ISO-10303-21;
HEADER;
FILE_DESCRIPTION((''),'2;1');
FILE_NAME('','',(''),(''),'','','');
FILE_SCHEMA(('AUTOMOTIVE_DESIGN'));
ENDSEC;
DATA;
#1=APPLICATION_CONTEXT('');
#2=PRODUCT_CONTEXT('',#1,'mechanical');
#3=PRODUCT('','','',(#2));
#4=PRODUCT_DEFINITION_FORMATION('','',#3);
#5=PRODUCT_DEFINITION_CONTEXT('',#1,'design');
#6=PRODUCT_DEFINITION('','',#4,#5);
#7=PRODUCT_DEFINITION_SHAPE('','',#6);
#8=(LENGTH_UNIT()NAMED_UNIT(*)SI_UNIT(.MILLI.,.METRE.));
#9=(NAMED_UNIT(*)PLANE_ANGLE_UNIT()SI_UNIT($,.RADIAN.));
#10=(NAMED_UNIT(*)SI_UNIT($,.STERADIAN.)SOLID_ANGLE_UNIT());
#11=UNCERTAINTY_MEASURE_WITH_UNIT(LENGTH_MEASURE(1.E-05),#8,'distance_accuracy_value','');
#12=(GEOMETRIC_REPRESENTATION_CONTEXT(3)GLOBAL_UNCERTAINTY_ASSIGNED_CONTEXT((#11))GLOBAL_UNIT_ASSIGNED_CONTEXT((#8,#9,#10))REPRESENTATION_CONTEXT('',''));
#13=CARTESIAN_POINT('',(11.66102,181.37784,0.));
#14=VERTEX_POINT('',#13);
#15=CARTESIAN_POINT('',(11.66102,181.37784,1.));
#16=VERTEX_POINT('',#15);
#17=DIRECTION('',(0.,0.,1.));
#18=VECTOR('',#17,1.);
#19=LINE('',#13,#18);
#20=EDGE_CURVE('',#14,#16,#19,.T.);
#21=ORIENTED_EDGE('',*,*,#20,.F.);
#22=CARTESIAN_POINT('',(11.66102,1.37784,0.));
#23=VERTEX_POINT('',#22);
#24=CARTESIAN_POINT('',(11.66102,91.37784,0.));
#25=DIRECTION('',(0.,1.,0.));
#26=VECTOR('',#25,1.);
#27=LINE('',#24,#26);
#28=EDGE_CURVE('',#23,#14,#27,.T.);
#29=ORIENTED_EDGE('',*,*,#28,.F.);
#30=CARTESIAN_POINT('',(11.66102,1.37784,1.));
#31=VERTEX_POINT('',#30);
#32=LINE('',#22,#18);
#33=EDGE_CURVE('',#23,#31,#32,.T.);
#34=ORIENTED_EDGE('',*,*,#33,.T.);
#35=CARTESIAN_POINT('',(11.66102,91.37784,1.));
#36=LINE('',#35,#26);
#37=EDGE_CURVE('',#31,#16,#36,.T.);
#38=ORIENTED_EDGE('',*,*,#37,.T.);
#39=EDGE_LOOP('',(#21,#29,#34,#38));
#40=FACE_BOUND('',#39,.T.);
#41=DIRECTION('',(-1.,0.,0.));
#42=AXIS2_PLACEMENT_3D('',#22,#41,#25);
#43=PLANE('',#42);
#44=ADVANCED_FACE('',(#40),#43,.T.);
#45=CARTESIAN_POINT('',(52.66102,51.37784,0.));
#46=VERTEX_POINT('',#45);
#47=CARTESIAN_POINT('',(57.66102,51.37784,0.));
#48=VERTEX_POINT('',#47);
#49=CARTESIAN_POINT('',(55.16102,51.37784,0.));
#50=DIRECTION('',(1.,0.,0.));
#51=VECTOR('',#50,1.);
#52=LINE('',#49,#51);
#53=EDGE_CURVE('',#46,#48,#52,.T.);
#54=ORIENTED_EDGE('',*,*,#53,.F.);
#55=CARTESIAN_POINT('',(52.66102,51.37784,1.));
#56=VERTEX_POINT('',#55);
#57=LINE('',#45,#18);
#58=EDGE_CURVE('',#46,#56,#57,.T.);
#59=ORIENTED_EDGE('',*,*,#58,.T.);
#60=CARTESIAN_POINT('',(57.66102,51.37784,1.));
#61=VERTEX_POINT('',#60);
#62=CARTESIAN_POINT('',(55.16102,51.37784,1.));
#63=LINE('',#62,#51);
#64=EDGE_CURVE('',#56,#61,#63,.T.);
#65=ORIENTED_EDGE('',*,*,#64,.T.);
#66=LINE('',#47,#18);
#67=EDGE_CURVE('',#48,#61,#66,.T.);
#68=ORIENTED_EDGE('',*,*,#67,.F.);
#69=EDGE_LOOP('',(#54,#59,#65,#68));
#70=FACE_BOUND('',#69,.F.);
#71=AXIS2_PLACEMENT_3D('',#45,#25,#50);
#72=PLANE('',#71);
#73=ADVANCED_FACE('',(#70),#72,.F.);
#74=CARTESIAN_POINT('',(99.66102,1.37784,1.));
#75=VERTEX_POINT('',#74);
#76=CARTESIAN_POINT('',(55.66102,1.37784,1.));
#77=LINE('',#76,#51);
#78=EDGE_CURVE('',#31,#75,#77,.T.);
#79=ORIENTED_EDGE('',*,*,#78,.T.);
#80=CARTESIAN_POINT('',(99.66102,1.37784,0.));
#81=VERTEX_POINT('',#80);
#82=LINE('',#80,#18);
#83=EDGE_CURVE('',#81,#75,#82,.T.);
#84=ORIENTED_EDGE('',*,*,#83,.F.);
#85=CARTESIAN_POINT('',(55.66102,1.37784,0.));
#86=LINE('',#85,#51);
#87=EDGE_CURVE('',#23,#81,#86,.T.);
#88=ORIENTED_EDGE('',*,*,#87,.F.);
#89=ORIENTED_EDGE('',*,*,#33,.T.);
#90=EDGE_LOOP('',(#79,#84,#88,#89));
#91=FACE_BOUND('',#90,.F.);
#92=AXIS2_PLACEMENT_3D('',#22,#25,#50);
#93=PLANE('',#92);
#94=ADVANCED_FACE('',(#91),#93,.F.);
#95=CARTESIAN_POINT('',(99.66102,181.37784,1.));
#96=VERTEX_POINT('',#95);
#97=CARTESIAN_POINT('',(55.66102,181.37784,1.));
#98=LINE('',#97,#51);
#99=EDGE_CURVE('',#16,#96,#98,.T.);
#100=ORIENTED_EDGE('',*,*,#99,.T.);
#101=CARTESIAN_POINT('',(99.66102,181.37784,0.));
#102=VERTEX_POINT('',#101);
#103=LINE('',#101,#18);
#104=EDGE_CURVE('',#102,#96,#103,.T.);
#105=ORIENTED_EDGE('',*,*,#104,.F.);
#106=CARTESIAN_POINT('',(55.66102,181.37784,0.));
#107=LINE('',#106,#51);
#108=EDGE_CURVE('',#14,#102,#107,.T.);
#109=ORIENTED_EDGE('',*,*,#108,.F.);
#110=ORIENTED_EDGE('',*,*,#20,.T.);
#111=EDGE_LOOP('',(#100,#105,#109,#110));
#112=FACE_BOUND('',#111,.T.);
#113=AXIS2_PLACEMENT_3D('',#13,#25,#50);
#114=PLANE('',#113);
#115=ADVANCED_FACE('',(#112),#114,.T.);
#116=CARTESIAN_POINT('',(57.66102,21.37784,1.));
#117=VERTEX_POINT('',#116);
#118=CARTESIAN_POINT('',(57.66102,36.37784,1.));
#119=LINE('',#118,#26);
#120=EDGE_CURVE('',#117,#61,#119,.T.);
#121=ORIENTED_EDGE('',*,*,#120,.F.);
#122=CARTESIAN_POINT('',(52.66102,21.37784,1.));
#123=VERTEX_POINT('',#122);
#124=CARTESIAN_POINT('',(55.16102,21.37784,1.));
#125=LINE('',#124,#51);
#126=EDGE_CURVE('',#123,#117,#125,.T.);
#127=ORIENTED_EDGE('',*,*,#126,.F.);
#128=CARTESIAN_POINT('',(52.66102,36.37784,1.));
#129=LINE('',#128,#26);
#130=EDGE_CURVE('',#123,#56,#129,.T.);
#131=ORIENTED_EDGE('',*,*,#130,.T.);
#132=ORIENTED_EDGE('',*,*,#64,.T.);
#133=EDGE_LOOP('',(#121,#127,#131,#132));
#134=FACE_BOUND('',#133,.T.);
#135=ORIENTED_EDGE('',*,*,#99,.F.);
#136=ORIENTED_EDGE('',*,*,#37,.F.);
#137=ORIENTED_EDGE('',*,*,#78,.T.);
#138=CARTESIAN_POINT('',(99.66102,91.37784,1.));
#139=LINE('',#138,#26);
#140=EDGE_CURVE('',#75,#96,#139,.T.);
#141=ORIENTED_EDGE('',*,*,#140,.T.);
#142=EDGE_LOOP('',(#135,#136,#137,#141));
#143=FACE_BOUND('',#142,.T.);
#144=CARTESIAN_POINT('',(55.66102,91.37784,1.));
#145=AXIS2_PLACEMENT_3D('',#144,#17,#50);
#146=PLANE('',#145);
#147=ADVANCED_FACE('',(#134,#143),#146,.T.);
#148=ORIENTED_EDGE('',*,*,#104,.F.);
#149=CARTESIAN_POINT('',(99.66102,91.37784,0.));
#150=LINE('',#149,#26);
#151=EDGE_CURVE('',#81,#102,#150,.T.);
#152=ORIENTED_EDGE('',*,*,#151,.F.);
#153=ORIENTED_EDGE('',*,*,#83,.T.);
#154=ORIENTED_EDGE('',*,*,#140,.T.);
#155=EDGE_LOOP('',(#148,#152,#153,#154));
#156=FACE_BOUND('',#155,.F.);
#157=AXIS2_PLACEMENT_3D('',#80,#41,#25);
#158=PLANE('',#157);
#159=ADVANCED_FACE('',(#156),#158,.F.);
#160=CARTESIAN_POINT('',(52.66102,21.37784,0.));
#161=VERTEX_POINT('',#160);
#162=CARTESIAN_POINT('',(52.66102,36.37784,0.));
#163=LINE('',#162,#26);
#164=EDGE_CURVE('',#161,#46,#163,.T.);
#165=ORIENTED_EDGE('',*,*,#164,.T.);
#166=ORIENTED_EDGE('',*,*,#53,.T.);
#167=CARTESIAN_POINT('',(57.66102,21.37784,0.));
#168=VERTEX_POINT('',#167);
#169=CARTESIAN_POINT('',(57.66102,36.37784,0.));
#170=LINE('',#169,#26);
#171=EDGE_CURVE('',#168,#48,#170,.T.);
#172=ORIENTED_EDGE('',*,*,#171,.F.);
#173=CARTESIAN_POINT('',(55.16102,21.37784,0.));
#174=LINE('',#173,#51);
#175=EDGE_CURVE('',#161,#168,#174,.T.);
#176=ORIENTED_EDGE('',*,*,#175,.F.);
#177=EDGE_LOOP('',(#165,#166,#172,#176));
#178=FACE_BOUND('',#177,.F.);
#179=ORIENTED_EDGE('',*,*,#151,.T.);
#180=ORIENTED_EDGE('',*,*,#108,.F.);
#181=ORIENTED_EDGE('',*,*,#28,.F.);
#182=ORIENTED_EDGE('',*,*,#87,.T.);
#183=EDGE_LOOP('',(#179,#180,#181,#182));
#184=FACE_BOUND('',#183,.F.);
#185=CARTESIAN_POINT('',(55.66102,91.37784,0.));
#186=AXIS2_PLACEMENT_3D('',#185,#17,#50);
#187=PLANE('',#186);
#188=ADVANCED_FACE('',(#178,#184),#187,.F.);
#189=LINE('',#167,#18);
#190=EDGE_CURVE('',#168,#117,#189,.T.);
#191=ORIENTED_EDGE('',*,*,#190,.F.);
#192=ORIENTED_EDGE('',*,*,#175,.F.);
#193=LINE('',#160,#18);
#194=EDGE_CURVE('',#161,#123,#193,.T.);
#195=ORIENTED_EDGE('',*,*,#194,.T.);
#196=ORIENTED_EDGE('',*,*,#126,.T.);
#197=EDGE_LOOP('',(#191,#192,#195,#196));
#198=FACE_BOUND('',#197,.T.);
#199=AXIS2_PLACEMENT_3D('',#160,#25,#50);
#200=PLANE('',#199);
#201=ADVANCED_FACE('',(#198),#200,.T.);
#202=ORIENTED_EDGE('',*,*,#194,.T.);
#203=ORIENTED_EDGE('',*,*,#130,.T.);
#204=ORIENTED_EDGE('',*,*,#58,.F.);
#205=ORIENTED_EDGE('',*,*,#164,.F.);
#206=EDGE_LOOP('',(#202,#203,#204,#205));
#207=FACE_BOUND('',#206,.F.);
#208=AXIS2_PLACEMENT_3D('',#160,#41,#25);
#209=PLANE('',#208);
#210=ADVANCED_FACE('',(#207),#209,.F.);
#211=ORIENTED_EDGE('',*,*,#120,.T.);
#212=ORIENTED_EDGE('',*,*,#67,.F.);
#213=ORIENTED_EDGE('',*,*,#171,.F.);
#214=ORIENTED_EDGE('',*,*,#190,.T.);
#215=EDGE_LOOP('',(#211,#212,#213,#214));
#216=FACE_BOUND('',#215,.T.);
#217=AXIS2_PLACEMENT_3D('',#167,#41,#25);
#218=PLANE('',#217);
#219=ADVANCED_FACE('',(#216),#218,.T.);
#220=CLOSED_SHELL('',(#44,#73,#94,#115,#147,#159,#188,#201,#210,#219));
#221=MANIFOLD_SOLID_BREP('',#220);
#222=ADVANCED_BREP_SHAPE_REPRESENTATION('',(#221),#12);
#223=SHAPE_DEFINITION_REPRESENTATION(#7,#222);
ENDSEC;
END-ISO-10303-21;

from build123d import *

# Parameters (mm, degrees)
SKETCH002_W   = 88
SKETCH002_H   = 180
SKETCH002_W_2 = 5
SKETCH002_H_2 = 30
PAD_DEPTH     = 1


with BuildPart() as part:
    # Sketch002 → Pad (new body)
    with BuildSketch(Plane.XY):
        with Locations((55.66102, 91.37784)):
            Rectangle(SKETCH002_W, SKETCH002_H)
        with Locations((55.16102, 36.37784)):
            Rectangle(SKETCH002_W_2, SKETCH002_H_2, mode=Mode.SUBTRACT)
    extrude(amount=PAD_DEPTH)


solid = part.part
